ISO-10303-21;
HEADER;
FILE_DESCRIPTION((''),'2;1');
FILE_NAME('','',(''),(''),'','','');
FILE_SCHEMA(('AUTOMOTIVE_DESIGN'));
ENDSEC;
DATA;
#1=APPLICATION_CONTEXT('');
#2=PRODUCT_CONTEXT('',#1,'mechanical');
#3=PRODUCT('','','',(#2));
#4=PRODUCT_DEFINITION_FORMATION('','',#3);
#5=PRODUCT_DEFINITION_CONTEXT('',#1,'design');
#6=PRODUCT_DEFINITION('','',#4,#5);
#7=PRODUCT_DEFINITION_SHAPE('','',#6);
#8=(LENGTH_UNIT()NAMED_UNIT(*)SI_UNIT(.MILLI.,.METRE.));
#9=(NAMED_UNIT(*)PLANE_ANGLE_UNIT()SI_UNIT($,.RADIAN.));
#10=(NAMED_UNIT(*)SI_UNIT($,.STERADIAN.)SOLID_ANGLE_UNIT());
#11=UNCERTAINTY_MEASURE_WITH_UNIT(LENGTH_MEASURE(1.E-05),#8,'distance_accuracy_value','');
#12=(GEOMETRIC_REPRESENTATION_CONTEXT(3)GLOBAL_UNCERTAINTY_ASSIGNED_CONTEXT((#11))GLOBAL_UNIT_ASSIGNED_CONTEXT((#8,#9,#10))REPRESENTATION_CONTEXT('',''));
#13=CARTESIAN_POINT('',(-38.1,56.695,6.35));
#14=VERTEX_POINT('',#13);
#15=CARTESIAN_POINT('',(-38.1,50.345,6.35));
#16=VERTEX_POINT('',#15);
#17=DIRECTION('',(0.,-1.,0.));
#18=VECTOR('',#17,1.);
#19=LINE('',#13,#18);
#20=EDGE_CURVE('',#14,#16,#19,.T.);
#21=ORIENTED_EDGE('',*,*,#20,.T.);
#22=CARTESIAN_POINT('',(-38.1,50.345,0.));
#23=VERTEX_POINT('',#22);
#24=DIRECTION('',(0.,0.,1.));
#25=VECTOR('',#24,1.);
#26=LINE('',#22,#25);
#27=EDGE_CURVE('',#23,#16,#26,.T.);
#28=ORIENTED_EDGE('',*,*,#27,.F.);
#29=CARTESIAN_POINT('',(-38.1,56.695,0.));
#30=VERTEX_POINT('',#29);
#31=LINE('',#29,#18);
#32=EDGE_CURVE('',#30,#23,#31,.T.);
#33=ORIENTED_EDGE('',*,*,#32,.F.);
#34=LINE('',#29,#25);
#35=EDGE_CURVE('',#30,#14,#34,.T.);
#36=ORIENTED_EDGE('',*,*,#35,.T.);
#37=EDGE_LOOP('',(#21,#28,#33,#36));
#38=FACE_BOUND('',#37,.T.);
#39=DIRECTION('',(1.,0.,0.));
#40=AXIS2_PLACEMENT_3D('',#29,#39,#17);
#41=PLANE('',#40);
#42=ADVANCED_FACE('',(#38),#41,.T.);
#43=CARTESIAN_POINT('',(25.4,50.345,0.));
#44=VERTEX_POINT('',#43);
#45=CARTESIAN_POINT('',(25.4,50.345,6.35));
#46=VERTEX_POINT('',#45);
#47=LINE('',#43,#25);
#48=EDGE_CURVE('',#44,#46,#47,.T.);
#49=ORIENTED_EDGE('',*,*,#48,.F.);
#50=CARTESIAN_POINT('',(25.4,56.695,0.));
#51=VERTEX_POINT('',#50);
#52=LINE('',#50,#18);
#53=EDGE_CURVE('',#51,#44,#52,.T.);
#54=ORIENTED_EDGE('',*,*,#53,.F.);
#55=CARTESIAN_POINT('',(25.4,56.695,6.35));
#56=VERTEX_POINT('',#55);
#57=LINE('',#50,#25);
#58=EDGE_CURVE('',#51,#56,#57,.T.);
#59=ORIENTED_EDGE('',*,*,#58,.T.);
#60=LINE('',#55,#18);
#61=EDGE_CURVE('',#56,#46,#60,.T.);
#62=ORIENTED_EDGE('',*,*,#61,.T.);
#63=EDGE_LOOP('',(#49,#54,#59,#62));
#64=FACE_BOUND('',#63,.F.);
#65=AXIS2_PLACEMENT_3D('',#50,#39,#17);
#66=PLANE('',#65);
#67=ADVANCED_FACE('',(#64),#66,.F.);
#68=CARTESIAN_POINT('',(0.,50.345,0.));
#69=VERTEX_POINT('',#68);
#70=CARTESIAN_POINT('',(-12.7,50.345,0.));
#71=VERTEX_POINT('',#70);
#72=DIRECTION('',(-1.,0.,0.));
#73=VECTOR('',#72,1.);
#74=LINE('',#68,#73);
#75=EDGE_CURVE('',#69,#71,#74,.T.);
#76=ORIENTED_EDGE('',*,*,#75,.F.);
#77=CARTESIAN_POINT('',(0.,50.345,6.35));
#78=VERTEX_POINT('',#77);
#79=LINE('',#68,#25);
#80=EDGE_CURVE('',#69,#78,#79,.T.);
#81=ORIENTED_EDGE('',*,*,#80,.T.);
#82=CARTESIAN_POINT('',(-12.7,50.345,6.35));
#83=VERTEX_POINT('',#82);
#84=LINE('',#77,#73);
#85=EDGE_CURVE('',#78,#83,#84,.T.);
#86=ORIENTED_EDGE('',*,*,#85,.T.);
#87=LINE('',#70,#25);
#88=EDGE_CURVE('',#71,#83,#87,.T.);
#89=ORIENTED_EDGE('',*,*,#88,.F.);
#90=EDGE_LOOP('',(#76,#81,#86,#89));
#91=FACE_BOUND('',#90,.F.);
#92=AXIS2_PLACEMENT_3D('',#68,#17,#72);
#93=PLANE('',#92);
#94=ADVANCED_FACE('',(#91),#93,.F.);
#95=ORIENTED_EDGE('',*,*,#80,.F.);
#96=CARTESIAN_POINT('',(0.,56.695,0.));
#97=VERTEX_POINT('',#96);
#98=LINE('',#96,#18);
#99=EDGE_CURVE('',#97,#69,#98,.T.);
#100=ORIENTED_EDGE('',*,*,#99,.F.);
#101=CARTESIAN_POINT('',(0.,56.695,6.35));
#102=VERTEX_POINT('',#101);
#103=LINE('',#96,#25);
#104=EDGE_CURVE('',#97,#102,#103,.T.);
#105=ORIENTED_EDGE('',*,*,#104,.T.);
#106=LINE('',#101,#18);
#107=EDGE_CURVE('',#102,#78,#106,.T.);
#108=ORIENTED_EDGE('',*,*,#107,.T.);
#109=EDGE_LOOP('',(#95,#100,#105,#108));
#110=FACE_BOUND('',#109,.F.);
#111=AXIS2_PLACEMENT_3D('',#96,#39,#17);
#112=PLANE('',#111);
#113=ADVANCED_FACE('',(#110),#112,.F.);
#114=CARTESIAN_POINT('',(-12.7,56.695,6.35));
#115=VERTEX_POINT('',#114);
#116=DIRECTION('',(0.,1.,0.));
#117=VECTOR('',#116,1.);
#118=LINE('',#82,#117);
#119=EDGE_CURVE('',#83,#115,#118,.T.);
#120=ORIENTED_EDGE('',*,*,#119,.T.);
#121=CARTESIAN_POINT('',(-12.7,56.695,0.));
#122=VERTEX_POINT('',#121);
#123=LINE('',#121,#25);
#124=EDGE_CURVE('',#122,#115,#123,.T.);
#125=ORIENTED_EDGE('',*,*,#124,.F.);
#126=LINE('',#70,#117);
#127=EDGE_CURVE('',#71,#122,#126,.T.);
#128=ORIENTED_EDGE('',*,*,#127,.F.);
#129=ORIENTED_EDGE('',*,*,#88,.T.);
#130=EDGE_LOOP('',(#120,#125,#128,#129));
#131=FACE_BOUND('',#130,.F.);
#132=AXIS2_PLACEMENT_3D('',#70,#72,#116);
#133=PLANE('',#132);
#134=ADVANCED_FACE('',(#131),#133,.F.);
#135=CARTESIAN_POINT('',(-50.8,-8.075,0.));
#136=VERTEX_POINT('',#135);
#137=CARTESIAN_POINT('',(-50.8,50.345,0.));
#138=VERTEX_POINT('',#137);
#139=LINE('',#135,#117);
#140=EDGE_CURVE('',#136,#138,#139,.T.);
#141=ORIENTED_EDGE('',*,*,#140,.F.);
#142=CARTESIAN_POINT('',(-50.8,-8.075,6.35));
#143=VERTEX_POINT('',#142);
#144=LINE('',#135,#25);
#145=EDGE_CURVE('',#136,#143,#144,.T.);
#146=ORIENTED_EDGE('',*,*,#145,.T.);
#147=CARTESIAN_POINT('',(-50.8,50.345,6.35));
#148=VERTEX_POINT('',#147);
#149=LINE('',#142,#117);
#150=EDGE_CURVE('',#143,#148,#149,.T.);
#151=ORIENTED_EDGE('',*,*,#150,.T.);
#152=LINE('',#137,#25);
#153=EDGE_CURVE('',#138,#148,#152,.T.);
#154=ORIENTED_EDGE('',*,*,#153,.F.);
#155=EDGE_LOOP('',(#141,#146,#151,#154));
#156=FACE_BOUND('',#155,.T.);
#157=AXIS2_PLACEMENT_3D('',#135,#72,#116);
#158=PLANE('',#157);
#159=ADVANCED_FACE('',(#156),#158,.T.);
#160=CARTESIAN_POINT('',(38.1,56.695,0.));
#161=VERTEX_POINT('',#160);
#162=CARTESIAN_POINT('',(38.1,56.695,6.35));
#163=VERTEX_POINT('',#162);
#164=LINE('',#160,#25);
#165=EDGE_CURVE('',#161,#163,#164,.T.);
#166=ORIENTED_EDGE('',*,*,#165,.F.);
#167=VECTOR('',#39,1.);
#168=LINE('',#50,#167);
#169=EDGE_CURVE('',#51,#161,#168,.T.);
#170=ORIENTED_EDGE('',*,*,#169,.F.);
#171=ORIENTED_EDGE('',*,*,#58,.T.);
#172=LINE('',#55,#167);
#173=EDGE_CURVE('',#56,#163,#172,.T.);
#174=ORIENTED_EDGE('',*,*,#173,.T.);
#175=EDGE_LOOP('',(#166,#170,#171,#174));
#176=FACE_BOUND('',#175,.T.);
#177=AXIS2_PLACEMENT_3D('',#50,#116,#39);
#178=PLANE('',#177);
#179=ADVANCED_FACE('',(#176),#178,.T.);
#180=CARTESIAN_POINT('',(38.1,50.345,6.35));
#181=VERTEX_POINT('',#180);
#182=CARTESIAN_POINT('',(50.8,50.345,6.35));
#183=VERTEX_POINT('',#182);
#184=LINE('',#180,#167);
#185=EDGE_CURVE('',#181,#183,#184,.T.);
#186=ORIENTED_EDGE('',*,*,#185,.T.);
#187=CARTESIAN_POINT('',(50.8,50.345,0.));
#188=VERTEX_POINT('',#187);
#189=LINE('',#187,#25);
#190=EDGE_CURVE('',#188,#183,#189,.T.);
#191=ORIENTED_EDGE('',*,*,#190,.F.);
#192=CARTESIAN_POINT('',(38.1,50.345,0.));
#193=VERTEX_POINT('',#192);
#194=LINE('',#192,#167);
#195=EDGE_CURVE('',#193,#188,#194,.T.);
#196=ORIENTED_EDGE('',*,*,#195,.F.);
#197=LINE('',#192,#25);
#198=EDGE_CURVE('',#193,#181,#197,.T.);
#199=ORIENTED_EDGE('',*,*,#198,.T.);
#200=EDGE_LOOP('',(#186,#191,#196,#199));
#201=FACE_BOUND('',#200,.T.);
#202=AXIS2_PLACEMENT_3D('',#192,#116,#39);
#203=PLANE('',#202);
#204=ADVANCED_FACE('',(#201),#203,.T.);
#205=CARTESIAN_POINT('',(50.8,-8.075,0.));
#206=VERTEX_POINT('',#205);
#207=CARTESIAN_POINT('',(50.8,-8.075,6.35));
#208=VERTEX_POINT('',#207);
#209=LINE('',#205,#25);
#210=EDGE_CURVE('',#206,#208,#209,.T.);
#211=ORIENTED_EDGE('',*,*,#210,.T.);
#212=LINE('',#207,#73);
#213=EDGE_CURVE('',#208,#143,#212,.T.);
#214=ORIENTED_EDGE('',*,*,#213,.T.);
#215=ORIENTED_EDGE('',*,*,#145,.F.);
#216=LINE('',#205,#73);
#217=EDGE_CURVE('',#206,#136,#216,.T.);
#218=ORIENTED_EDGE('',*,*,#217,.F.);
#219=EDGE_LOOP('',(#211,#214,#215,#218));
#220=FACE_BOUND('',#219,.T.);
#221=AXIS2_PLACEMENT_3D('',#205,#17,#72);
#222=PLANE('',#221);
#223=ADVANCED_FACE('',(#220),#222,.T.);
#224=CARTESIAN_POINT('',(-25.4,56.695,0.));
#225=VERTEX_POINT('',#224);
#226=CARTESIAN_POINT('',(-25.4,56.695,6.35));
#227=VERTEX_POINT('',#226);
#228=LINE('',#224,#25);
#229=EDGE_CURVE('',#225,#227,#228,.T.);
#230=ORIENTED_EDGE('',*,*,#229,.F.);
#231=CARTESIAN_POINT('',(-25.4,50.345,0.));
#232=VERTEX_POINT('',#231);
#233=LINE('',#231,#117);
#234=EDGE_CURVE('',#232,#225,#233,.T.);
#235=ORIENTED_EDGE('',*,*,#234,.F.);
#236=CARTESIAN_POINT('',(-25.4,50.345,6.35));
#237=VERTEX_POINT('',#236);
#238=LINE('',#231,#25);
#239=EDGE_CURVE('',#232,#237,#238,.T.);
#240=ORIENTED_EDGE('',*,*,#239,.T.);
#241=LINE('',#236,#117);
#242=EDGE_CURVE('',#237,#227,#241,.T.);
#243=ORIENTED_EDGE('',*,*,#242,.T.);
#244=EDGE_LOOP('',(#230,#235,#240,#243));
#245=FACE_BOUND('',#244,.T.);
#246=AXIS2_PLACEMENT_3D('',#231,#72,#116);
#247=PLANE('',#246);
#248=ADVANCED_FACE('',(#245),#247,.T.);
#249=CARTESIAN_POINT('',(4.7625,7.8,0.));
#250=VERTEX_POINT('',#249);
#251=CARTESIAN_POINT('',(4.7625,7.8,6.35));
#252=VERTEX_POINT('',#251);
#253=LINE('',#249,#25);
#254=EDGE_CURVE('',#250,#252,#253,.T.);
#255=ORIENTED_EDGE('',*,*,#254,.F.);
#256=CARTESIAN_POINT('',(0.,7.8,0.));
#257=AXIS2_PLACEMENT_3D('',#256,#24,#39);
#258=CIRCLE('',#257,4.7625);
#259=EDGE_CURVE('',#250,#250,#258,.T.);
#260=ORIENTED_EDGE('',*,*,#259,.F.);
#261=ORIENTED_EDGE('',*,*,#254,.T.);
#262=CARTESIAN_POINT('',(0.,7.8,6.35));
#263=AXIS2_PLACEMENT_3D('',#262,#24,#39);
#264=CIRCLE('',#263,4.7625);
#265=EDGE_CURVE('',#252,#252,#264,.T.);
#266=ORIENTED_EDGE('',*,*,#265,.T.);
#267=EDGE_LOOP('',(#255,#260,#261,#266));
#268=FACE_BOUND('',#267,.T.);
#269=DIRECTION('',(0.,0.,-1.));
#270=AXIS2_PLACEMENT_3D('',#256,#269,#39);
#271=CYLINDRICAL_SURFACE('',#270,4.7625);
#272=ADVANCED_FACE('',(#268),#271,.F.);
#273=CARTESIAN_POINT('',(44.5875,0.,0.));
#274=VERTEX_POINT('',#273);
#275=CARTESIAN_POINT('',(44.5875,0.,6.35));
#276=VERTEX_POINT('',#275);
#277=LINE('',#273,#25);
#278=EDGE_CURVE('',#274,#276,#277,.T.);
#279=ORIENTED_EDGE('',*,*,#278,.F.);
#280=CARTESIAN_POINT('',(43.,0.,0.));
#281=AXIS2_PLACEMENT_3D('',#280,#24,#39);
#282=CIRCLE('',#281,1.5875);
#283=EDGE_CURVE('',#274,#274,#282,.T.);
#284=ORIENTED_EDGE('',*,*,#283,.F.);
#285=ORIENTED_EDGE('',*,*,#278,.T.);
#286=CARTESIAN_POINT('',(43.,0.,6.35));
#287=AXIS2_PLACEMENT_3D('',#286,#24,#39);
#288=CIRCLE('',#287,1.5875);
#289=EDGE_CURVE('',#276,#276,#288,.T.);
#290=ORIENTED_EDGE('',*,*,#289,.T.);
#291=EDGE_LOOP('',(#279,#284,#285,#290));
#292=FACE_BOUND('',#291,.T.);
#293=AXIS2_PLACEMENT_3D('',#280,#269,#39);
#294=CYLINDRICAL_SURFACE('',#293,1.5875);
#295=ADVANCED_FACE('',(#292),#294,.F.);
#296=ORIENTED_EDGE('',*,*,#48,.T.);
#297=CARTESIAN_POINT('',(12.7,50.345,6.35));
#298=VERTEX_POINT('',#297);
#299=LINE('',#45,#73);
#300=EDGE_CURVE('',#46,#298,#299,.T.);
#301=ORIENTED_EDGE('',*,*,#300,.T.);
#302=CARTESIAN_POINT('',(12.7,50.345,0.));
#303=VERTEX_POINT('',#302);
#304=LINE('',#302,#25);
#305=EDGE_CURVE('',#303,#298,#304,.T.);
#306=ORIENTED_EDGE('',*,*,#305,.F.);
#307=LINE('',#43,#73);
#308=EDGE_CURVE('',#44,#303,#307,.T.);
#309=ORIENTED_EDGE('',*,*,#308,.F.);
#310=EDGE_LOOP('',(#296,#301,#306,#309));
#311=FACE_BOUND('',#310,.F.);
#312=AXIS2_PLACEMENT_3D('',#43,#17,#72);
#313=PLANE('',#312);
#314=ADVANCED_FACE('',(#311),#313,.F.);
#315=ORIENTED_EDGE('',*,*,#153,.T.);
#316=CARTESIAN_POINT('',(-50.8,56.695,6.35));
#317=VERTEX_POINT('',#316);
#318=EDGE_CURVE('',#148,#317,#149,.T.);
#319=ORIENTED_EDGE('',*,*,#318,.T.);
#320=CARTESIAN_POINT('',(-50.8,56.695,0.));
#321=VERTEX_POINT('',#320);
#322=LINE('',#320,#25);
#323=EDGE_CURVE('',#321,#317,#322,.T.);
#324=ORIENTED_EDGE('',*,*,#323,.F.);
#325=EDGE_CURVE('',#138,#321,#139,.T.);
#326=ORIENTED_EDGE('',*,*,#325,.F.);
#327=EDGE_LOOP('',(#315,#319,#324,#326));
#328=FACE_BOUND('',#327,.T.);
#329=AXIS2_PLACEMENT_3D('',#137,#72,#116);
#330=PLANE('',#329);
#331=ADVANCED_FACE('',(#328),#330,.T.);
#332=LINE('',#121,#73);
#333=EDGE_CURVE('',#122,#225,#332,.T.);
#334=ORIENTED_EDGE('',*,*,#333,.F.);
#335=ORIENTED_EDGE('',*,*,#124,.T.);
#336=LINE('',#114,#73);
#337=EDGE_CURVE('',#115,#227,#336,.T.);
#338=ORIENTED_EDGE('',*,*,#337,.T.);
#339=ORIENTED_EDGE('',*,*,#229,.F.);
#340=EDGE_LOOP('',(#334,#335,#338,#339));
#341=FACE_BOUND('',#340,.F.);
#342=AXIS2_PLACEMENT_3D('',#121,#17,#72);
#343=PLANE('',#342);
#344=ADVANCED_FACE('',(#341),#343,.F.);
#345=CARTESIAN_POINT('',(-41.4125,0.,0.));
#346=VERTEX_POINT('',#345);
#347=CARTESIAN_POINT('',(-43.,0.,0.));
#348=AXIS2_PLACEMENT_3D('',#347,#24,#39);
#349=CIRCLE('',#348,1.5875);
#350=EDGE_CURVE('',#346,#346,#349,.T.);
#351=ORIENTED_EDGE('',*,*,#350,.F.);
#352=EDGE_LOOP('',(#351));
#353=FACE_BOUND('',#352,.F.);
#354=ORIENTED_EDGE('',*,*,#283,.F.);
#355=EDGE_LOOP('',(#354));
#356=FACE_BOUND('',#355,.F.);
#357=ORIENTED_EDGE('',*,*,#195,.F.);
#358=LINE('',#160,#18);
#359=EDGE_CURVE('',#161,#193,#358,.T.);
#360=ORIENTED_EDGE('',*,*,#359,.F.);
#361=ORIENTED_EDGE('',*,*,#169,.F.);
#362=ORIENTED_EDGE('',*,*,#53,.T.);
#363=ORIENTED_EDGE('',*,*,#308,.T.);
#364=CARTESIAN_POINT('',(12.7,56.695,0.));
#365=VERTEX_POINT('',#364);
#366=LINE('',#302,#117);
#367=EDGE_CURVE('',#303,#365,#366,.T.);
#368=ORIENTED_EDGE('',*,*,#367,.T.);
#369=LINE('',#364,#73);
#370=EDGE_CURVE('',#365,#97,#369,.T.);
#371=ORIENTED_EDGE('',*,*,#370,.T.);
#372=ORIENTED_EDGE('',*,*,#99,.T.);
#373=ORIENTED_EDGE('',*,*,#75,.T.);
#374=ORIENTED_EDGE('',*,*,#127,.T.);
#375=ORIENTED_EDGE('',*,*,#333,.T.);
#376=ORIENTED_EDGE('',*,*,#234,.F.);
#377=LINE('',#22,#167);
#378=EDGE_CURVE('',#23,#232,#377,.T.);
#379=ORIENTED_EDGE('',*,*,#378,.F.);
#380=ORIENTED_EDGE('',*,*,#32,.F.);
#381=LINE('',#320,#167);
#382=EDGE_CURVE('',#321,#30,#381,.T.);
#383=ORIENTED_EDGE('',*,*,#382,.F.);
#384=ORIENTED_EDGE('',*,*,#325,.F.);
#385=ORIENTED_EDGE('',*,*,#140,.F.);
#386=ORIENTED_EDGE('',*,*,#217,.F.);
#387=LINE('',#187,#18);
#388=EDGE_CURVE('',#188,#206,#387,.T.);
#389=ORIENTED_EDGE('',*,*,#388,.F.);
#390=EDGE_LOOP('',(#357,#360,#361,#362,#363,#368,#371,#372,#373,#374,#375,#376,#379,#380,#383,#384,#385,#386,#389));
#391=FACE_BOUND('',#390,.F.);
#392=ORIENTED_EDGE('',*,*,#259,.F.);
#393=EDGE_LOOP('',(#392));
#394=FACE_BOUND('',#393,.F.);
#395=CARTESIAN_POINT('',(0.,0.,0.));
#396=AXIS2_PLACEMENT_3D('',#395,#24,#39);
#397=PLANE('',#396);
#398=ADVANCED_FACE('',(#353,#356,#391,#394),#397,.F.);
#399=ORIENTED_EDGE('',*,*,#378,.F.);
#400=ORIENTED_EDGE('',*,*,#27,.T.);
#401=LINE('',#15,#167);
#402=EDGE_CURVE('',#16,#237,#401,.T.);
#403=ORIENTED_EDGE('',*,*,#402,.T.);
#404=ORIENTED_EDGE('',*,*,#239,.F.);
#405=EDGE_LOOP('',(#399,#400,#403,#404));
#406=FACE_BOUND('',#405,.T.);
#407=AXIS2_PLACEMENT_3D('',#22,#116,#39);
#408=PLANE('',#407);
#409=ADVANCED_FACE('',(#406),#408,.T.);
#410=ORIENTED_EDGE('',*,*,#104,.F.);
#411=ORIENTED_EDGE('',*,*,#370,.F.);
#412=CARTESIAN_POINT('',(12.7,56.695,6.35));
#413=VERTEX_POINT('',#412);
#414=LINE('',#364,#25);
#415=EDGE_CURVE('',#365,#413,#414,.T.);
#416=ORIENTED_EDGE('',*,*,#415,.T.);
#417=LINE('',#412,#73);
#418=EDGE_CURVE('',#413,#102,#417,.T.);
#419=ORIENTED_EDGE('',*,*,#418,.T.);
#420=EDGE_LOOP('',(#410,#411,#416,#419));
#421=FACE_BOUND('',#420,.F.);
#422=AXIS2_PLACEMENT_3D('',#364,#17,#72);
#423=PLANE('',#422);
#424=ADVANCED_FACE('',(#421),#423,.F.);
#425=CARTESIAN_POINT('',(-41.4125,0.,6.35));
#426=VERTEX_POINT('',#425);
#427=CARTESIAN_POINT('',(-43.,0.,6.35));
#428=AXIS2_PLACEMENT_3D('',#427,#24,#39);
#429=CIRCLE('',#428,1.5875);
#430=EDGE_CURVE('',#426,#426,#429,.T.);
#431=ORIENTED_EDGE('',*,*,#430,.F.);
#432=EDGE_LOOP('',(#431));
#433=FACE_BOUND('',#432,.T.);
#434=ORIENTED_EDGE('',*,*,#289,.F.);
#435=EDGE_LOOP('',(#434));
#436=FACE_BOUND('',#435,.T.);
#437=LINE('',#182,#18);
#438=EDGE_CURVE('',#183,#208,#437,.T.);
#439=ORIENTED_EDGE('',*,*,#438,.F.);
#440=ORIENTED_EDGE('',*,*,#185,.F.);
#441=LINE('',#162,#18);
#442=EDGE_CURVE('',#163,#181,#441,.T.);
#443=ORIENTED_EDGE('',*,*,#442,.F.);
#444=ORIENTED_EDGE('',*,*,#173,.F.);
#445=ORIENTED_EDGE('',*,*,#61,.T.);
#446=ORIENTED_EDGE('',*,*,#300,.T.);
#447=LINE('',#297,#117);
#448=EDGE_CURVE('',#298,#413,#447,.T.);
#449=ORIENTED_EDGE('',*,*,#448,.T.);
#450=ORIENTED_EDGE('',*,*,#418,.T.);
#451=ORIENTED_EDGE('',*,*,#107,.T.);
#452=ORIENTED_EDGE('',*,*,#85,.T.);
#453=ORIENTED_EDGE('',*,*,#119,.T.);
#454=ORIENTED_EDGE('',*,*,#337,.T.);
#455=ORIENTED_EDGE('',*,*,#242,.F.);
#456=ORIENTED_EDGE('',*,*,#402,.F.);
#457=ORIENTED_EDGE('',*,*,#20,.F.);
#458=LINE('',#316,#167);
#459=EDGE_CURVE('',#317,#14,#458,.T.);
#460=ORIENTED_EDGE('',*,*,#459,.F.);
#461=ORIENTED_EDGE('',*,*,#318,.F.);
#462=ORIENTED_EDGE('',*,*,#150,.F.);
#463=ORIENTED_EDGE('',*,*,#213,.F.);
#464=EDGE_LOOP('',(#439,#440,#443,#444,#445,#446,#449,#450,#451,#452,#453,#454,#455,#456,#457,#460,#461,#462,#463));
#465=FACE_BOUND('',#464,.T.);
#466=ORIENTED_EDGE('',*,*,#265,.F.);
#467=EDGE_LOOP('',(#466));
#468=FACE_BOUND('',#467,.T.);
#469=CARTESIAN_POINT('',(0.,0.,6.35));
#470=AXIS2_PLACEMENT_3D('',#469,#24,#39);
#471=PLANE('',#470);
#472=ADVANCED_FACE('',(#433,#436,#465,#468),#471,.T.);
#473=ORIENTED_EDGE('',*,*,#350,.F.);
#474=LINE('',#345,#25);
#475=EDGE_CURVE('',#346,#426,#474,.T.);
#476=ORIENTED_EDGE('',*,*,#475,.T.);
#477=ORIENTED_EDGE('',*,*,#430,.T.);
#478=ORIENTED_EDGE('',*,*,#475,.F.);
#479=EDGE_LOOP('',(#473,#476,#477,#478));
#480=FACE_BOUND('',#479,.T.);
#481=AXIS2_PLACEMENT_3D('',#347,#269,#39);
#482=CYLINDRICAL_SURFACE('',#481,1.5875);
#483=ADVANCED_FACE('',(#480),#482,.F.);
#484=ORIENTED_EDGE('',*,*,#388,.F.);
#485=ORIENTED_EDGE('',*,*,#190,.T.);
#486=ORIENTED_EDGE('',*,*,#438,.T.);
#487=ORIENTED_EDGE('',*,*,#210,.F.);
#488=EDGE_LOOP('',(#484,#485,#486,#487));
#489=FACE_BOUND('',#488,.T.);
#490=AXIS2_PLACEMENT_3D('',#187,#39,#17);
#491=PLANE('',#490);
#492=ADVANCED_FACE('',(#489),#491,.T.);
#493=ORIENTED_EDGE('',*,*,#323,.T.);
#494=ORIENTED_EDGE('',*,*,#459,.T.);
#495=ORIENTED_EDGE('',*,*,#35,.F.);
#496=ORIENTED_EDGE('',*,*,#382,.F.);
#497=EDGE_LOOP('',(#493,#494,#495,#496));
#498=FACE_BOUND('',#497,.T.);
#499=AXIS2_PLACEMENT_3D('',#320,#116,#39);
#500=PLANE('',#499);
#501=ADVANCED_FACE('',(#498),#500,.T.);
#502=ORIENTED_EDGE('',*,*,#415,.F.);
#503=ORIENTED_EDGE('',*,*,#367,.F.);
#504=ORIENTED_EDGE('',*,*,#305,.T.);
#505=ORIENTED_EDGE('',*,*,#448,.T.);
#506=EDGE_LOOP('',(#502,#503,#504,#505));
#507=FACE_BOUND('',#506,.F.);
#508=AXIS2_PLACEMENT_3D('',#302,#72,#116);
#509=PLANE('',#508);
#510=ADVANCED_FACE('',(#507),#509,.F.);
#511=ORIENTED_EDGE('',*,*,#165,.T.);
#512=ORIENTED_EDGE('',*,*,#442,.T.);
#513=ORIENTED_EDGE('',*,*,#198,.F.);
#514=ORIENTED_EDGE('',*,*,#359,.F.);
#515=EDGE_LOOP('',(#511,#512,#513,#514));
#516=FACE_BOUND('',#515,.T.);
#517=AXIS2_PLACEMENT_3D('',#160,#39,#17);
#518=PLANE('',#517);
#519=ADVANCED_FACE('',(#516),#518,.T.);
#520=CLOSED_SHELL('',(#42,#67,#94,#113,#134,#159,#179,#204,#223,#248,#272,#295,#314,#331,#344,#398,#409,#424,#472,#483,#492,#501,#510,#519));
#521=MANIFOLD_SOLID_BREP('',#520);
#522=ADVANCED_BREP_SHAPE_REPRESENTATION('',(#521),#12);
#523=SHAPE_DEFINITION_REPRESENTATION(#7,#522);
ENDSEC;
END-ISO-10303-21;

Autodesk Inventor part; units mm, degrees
ref_plane "YZ Plane" through (0, 0, 0) normal (1, 0, 0) x (0, 1, 0)
ref_plane "XZ Plane" through (0, 0, 0) normal (0, 1, 0) x (-1, 0, 0)
ref_plane "XY Plane" through (0, 0, 0) normal (0, 0, 1) x (1, 0, 0)
sketch "Sketch1" plane through (0, 0, 0) normal (0, 0, 1) x (1, 0, 0)
  circle A0 centre (0, 7.8) radius 4.7625
  circle A1 centre (-43, 0) radius 1.5875
  circle A2 centre (43, 0) radius 1.5875
  line L0 (-50.8, 56.695) -> (-38.1, 56.695)
  line L1 (50.8, -8.075) -> (-50.8, -8.075)
  line L2 (-50.8, -8.075) -> (-50.8, 56.695)
  line L3 (-50.8, 56.695) -> (-38.1, 56.695)
  line L4 (-38.1, 56.695) -> (-38.1, 50.345)
  line L5 (-50.8, 50.345) -> (-50.8, 56.695)
  line L6 (-38.1, 50.345) -> (-25.4, 50.345)
  line L7 (-25.4, 50.345) -> (-25.4, 56.695)
  line L8 (-38.1, 56.695) -> (-38.1, 50.345)
  line L9 (-12.7, 50.345) -> (-12.7, 56.695)
  line L10 (-12.7, 56.695) -> (-25.4, 56.695)
  line L11 (-25.4, 56.695) -> (-25.4, 50.345)
  line L12 (0, 56.695) -> (0, 50.345)
  line L13 (0, 50.345) -> (-12.7, 50.345)
  line L14 (-12.7, 50.345) -> (-12.7, 56.695)
  line L15 (12.7, 50.345) -> (12.7, 56.695)
  line L16 (12.7, 56.695) -> (0, 56.695)
  line L17 (0, 56.695) -> (0, 50.345)
  line L18 (25.4, 56.695) -> (25.4, 50.345)
  line L19 (25.4, 50.345) -> (12.7, 50.345)
  line L20 (12.7, 50.345) -> (12.7, 56.695)
  line L21 (25.4, 56.695) -> (38.1, 56.695)
  line L22 (38.1, 56.695) -> (38.1, 50.345)
  line L23 (25.4, 50.345) -> (25.4, 56.695)
  line L24 (38.1, 50.345) -> (50.8, 50.345)
  line L25 (38.1, 56.695) -> (38.1, 50.345)
  line L26 (0, 56.695) -> (12.7, 56.695)
  line L27 (25.4, 56.695) -> (38.1, 56.695)
  line L28 (50.8, 50.345) -> (50.8, -8.075)
  point P0 (0, 0)
  dimension "d0" = 9.525
  dimension "d1" = 3.175
  dimension "d2" = 3.175
  dimension "d6" = 0
  dimension "d7" = 101.6
  dimension "d13" = 43
  dimension "d14" = 43
  dimension "d16" = 15.875
  dimension "d17" = 7.8
  dimension "d18" = 7.8
  dimension "d19" = 48.895
  dimension "d21" = 12.7
  dimension "d22" = 6.35
  dimension "d23" = 12.7
  dimension "d24" = 12.7
  dimension "d25" = 6.35
  dimension "d26" = 6.35
  dimension "d27" = 12.7
  dimension "d28" = 6.35
  dimension "d29" = 12.7
  dimension "d30" = 6.35
  dimension "d31" = 12.7
  dimension "d32" = 6.35
extrude "Extrusion1" add sketch "Sketch1" along normal blind 6.35
sketch "Sketch2" plane through (-50.8, 56.695, 0) normal (0, 1, 0) x (1, 0, 0)
  point P0 (50.8, 0)
properties part number "structural" material "Polycarbonate, Clear"
